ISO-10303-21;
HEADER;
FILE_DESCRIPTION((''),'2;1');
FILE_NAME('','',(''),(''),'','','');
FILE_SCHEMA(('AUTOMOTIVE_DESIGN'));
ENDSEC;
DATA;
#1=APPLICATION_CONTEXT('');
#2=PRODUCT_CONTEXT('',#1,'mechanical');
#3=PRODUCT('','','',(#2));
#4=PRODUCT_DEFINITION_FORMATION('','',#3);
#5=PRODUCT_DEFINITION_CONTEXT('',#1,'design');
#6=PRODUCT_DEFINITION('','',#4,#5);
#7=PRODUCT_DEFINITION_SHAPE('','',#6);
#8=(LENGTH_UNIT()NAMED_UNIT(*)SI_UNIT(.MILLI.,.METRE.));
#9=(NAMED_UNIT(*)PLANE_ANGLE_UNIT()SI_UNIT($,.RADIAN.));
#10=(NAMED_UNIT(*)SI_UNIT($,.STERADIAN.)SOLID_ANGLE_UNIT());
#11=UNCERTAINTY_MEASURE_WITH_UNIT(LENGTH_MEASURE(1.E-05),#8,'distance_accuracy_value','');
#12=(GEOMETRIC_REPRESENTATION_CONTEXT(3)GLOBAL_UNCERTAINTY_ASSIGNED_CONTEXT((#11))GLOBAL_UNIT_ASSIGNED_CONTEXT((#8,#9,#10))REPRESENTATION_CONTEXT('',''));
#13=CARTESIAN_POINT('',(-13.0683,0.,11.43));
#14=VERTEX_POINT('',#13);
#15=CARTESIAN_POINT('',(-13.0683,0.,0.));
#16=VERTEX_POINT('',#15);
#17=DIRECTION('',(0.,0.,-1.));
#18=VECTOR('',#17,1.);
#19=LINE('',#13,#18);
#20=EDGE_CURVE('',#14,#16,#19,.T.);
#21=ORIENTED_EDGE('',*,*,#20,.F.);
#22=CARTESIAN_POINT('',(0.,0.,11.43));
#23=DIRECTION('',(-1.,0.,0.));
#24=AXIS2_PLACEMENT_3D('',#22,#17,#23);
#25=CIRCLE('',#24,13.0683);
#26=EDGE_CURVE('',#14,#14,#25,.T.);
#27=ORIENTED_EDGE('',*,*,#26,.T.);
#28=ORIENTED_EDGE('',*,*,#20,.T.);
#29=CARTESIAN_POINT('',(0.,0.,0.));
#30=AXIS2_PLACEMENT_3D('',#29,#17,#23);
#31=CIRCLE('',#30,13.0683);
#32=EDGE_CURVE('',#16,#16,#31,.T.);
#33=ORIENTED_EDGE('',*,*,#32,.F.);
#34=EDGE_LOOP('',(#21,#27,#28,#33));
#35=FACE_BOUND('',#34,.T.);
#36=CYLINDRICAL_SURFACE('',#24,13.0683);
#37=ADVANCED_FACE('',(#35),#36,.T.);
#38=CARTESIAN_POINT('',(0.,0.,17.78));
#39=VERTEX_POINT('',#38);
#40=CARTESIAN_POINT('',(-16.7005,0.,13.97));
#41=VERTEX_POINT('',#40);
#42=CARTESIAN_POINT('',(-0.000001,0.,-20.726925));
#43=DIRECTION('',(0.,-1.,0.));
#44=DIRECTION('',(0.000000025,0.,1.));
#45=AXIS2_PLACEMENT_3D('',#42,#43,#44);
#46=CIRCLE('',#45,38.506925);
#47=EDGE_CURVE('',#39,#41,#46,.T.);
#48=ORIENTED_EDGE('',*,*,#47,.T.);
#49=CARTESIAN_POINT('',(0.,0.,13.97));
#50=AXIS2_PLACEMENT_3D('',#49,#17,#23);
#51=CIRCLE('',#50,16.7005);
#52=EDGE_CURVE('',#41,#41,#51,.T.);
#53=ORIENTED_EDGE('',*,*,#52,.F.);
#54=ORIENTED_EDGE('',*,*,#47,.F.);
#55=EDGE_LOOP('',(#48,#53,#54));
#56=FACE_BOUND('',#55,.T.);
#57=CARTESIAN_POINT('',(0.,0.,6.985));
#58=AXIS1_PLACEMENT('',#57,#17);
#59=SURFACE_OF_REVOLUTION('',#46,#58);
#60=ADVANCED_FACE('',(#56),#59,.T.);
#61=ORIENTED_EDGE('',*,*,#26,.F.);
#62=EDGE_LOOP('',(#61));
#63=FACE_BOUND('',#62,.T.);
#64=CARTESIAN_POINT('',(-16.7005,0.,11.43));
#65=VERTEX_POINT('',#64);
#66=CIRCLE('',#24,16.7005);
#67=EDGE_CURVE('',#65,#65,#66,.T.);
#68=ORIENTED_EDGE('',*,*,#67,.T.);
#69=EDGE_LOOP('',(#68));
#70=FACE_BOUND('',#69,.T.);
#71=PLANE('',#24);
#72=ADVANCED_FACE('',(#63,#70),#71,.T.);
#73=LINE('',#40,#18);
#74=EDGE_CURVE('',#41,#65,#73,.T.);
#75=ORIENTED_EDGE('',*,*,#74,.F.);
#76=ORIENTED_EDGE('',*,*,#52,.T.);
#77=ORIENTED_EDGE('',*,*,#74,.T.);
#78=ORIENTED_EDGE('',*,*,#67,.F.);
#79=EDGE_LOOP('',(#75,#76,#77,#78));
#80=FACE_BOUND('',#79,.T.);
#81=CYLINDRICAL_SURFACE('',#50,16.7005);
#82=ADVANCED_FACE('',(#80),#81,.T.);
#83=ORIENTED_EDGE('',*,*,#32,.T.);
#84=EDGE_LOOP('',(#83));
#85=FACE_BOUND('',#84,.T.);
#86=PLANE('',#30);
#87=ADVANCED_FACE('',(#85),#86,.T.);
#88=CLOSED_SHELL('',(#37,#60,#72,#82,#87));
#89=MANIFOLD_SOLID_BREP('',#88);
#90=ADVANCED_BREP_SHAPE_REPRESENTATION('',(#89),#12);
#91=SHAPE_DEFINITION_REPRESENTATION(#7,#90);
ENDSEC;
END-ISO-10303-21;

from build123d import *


with BuildPart() as f1:
    # F0 (on Front) → F1 (revolve)
    with BuildSketch(Plane.XZ):
        Polygon((-13.0683, 0), (0, 0), (0, 13.97), (-16.7005, 13.97), (-16.7005, 11.43), (-13.0683, 11.43), align=None)
        with BuildLine():
            Line((-16.7005, 13.97), (0, 13.97))
            Line((0, 13.97), (0, 17.78))
            ThreePointArc((0, 17.78), (-8.564794, 16.815419), (-16.7005, 13.97))
        make_face()
    revolve(axis=Axis((0, 0, 6.985), (0, 0, -1)))


solid = f1.part
